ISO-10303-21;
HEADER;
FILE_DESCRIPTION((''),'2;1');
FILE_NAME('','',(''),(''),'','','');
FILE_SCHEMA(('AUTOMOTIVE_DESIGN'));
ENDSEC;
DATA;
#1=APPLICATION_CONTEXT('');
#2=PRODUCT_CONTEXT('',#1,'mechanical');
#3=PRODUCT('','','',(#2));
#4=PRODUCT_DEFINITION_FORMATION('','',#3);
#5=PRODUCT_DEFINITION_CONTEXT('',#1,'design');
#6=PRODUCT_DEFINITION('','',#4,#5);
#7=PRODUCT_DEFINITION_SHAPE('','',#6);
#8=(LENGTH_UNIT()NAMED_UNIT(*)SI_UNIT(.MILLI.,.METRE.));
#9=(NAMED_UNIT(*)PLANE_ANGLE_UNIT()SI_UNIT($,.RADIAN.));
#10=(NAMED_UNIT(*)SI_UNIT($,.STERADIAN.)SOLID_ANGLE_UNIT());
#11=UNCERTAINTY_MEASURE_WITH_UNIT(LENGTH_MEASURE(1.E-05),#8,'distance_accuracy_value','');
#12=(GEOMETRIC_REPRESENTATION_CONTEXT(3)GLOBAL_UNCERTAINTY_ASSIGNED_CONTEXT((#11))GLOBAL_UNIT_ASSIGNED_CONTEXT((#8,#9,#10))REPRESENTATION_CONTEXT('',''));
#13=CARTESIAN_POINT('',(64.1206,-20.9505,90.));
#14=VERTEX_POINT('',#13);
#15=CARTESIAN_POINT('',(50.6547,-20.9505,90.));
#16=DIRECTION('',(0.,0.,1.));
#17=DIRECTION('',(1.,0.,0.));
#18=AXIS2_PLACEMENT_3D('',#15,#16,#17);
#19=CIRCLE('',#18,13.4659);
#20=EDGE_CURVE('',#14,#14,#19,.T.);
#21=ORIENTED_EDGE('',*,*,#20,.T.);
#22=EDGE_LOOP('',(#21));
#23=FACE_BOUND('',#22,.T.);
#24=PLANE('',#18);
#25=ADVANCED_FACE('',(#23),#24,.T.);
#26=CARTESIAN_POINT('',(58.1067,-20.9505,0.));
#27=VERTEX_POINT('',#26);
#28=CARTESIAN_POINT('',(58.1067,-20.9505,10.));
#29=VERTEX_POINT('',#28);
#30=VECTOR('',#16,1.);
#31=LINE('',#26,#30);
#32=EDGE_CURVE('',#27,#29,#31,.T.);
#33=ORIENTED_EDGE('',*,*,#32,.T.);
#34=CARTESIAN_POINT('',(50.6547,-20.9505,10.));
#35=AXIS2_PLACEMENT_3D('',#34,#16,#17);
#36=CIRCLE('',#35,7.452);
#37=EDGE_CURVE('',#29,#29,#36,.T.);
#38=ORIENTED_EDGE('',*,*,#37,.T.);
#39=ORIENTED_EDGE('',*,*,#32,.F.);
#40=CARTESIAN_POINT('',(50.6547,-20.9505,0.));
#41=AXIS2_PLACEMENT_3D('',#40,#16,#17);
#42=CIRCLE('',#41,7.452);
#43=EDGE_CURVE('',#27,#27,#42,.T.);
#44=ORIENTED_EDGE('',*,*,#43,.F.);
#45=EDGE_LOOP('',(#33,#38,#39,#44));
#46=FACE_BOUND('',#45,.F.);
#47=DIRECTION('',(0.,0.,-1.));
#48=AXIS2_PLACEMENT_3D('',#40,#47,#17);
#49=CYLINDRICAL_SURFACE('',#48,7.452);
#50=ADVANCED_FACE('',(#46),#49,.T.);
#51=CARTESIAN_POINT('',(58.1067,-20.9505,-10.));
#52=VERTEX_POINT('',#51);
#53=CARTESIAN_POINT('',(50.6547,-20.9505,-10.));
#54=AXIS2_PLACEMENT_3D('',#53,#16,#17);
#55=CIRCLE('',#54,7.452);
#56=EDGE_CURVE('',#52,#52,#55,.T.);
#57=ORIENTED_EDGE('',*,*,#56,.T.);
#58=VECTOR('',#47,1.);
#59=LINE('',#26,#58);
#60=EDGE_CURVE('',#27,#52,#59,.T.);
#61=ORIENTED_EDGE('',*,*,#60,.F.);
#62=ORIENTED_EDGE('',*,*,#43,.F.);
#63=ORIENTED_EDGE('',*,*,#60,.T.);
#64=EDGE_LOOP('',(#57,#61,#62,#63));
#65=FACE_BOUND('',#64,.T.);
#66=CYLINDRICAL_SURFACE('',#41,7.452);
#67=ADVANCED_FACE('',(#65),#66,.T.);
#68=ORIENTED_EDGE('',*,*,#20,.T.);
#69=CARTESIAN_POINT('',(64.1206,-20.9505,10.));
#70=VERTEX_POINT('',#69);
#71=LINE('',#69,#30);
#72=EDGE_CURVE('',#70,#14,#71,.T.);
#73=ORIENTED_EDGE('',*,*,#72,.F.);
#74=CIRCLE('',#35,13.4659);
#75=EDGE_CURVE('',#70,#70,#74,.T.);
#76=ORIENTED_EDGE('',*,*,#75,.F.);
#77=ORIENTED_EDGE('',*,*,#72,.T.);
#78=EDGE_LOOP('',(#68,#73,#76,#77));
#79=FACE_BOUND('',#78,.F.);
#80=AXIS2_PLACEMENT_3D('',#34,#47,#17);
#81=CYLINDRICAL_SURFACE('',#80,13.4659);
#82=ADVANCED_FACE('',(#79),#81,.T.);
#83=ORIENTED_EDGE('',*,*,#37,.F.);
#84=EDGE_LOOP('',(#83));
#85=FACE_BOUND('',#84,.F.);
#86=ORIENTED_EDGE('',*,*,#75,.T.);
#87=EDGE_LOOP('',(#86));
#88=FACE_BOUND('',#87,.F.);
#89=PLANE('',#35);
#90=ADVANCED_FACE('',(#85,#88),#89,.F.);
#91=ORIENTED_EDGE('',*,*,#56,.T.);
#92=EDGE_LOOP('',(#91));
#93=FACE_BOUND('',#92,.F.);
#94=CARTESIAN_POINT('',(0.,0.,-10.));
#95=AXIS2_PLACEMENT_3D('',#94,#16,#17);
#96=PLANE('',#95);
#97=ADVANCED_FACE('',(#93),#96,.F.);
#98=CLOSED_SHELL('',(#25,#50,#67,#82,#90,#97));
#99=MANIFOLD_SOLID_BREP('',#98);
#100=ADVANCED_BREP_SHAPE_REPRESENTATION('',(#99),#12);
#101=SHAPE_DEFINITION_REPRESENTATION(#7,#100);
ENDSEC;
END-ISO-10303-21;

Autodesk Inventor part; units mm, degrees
ref_plane "YZ Plane" through (0, 0, 0) normal (1, 0, 0) x (0, 1, 0)
ref_plane "XZ Plane" through (0, 0, 0) normal (0, 1, 0) x (-1, 0, 0)
ref_plane "XY Plane" through (0, 0, 0) normal (0, 0, 1) x (1, 0, 0)
sketch "Sketch1" plane through (0, 0, 0) normal (0, 0, 1) x (1, 0, 0)
  circle A0 centre (50.6547, -20.9505) radius 7.452 projected
  circle A1 centre (50.6547, -20.9505) radius 7.452
  point P0 (0, 0)
extrude "Extrusion1" add sketch "Sketch1" along normal mid plane 20
sketch "Sketch2" plane through (50.6547, -20.9505, 10) normal (0, 0, 1) x (1, 0, 0)
  circle A0 centre (0, 0) radius 13.4659
  point P0 (-50.6547, 20.9505)
extrude "Extrusion2" add sketch "Sketch2" along normal blind 80
properties part number "Handle"
